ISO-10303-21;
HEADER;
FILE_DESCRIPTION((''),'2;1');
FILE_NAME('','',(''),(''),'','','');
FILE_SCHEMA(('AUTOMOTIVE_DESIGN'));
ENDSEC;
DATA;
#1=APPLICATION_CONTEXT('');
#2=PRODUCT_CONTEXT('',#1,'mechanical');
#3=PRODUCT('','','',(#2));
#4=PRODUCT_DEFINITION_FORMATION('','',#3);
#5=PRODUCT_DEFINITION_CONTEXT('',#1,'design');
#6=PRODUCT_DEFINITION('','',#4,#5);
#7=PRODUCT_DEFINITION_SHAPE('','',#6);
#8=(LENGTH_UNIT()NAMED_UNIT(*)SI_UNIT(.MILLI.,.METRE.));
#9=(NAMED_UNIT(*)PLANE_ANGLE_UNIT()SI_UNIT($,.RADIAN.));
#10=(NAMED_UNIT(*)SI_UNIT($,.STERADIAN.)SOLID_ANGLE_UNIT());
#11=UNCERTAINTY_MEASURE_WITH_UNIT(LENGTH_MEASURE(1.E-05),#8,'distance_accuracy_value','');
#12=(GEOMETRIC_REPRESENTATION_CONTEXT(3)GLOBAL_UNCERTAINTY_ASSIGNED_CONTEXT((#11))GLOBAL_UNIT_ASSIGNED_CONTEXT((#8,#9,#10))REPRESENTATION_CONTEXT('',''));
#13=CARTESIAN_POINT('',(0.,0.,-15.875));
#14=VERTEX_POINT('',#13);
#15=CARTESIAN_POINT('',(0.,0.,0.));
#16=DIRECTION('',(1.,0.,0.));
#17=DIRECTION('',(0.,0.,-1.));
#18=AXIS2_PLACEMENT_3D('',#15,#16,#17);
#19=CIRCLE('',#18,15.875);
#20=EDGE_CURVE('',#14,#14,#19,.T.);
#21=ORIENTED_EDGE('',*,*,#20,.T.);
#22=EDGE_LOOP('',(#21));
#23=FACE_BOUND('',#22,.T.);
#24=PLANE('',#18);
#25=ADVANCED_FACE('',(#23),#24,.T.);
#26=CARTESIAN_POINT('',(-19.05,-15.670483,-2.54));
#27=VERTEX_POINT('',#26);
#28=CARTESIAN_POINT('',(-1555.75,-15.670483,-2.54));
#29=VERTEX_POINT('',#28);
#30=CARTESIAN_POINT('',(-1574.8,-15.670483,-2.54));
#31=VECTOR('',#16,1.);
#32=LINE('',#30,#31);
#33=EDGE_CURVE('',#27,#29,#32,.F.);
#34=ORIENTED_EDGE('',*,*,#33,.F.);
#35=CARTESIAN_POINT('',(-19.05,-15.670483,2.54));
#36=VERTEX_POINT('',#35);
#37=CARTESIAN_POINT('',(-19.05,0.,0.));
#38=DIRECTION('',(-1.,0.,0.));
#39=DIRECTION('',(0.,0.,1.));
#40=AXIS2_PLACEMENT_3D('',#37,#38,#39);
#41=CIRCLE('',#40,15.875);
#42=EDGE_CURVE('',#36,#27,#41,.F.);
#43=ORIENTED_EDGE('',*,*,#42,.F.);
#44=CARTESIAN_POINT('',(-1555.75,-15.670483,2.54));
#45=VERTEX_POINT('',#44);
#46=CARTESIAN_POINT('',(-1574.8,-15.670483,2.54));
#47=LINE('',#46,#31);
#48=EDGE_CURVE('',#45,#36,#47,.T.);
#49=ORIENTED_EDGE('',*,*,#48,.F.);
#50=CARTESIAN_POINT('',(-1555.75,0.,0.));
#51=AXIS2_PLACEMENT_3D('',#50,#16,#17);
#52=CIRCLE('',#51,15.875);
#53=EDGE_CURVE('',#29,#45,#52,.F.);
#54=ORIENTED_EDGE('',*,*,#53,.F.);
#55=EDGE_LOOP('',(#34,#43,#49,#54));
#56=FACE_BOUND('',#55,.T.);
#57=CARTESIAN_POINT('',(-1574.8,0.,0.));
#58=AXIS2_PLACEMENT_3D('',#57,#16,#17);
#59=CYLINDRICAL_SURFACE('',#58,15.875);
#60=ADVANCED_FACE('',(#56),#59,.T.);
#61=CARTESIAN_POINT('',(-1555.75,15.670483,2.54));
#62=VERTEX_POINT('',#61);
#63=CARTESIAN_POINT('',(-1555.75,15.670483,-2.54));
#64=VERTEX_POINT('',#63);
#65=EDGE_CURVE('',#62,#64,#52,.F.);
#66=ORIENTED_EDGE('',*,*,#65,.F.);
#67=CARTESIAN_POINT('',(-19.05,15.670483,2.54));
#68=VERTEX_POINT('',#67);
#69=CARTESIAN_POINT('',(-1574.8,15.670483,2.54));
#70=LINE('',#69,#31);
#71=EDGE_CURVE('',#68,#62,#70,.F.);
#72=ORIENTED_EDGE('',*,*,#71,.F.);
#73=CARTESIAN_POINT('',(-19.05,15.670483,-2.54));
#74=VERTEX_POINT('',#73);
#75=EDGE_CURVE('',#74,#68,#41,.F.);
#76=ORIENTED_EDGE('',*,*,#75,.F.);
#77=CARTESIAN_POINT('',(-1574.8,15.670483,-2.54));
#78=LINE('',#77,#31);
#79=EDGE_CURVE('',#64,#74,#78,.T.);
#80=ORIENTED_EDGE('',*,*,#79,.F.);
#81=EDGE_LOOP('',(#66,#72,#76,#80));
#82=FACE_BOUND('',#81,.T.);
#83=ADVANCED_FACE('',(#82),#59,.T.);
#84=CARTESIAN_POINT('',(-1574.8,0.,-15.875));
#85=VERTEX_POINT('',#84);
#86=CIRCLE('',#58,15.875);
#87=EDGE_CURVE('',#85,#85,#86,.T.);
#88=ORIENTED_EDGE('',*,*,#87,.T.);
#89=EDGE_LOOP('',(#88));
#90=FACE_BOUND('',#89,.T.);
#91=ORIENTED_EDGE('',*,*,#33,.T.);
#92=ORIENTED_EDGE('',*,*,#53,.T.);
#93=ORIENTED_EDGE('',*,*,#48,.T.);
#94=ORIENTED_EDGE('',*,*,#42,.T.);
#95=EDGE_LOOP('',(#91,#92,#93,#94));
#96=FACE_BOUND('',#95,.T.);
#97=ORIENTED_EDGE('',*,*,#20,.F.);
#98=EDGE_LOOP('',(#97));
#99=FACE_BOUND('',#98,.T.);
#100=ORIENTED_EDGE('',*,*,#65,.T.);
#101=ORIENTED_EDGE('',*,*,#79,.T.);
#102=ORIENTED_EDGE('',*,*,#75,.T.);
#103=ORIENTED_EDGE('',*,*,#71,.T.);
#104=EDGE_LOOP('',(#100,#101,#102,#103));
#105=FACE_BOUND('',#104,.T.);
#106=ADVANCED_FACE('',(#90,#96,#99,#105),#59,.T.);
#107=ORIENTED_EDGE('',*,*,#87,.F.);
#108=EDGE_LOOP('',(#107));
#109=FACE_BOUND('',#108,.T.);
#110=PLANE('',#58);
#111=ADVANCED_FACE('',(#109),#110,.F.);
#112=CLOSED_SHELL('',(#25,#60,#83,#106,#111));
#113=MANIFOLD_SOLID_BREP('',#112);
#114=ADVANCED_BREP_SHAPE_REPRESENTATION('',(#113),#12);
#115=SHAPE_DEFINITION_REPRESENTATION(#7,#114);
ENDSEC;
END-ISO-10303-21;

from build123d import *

# Parameters (mm, degrees)
SKETCH1_R           = 15.875
BOSS_EXTRUDE1_DEPTH = 1574.8


with BuildPart() as part:
    # Sketch1 → Boss-Extrude1 (new body)
    with BuildSketch(Plane(origin=(0, 0, 0), x_dir=(0, 0, -1), z_dir=(1, 0, 0))):
        Circle(SKETCH1_R)
    extrude(amount=-BOSS_EXTRUDE1_DEPTH)


solid = part.part
